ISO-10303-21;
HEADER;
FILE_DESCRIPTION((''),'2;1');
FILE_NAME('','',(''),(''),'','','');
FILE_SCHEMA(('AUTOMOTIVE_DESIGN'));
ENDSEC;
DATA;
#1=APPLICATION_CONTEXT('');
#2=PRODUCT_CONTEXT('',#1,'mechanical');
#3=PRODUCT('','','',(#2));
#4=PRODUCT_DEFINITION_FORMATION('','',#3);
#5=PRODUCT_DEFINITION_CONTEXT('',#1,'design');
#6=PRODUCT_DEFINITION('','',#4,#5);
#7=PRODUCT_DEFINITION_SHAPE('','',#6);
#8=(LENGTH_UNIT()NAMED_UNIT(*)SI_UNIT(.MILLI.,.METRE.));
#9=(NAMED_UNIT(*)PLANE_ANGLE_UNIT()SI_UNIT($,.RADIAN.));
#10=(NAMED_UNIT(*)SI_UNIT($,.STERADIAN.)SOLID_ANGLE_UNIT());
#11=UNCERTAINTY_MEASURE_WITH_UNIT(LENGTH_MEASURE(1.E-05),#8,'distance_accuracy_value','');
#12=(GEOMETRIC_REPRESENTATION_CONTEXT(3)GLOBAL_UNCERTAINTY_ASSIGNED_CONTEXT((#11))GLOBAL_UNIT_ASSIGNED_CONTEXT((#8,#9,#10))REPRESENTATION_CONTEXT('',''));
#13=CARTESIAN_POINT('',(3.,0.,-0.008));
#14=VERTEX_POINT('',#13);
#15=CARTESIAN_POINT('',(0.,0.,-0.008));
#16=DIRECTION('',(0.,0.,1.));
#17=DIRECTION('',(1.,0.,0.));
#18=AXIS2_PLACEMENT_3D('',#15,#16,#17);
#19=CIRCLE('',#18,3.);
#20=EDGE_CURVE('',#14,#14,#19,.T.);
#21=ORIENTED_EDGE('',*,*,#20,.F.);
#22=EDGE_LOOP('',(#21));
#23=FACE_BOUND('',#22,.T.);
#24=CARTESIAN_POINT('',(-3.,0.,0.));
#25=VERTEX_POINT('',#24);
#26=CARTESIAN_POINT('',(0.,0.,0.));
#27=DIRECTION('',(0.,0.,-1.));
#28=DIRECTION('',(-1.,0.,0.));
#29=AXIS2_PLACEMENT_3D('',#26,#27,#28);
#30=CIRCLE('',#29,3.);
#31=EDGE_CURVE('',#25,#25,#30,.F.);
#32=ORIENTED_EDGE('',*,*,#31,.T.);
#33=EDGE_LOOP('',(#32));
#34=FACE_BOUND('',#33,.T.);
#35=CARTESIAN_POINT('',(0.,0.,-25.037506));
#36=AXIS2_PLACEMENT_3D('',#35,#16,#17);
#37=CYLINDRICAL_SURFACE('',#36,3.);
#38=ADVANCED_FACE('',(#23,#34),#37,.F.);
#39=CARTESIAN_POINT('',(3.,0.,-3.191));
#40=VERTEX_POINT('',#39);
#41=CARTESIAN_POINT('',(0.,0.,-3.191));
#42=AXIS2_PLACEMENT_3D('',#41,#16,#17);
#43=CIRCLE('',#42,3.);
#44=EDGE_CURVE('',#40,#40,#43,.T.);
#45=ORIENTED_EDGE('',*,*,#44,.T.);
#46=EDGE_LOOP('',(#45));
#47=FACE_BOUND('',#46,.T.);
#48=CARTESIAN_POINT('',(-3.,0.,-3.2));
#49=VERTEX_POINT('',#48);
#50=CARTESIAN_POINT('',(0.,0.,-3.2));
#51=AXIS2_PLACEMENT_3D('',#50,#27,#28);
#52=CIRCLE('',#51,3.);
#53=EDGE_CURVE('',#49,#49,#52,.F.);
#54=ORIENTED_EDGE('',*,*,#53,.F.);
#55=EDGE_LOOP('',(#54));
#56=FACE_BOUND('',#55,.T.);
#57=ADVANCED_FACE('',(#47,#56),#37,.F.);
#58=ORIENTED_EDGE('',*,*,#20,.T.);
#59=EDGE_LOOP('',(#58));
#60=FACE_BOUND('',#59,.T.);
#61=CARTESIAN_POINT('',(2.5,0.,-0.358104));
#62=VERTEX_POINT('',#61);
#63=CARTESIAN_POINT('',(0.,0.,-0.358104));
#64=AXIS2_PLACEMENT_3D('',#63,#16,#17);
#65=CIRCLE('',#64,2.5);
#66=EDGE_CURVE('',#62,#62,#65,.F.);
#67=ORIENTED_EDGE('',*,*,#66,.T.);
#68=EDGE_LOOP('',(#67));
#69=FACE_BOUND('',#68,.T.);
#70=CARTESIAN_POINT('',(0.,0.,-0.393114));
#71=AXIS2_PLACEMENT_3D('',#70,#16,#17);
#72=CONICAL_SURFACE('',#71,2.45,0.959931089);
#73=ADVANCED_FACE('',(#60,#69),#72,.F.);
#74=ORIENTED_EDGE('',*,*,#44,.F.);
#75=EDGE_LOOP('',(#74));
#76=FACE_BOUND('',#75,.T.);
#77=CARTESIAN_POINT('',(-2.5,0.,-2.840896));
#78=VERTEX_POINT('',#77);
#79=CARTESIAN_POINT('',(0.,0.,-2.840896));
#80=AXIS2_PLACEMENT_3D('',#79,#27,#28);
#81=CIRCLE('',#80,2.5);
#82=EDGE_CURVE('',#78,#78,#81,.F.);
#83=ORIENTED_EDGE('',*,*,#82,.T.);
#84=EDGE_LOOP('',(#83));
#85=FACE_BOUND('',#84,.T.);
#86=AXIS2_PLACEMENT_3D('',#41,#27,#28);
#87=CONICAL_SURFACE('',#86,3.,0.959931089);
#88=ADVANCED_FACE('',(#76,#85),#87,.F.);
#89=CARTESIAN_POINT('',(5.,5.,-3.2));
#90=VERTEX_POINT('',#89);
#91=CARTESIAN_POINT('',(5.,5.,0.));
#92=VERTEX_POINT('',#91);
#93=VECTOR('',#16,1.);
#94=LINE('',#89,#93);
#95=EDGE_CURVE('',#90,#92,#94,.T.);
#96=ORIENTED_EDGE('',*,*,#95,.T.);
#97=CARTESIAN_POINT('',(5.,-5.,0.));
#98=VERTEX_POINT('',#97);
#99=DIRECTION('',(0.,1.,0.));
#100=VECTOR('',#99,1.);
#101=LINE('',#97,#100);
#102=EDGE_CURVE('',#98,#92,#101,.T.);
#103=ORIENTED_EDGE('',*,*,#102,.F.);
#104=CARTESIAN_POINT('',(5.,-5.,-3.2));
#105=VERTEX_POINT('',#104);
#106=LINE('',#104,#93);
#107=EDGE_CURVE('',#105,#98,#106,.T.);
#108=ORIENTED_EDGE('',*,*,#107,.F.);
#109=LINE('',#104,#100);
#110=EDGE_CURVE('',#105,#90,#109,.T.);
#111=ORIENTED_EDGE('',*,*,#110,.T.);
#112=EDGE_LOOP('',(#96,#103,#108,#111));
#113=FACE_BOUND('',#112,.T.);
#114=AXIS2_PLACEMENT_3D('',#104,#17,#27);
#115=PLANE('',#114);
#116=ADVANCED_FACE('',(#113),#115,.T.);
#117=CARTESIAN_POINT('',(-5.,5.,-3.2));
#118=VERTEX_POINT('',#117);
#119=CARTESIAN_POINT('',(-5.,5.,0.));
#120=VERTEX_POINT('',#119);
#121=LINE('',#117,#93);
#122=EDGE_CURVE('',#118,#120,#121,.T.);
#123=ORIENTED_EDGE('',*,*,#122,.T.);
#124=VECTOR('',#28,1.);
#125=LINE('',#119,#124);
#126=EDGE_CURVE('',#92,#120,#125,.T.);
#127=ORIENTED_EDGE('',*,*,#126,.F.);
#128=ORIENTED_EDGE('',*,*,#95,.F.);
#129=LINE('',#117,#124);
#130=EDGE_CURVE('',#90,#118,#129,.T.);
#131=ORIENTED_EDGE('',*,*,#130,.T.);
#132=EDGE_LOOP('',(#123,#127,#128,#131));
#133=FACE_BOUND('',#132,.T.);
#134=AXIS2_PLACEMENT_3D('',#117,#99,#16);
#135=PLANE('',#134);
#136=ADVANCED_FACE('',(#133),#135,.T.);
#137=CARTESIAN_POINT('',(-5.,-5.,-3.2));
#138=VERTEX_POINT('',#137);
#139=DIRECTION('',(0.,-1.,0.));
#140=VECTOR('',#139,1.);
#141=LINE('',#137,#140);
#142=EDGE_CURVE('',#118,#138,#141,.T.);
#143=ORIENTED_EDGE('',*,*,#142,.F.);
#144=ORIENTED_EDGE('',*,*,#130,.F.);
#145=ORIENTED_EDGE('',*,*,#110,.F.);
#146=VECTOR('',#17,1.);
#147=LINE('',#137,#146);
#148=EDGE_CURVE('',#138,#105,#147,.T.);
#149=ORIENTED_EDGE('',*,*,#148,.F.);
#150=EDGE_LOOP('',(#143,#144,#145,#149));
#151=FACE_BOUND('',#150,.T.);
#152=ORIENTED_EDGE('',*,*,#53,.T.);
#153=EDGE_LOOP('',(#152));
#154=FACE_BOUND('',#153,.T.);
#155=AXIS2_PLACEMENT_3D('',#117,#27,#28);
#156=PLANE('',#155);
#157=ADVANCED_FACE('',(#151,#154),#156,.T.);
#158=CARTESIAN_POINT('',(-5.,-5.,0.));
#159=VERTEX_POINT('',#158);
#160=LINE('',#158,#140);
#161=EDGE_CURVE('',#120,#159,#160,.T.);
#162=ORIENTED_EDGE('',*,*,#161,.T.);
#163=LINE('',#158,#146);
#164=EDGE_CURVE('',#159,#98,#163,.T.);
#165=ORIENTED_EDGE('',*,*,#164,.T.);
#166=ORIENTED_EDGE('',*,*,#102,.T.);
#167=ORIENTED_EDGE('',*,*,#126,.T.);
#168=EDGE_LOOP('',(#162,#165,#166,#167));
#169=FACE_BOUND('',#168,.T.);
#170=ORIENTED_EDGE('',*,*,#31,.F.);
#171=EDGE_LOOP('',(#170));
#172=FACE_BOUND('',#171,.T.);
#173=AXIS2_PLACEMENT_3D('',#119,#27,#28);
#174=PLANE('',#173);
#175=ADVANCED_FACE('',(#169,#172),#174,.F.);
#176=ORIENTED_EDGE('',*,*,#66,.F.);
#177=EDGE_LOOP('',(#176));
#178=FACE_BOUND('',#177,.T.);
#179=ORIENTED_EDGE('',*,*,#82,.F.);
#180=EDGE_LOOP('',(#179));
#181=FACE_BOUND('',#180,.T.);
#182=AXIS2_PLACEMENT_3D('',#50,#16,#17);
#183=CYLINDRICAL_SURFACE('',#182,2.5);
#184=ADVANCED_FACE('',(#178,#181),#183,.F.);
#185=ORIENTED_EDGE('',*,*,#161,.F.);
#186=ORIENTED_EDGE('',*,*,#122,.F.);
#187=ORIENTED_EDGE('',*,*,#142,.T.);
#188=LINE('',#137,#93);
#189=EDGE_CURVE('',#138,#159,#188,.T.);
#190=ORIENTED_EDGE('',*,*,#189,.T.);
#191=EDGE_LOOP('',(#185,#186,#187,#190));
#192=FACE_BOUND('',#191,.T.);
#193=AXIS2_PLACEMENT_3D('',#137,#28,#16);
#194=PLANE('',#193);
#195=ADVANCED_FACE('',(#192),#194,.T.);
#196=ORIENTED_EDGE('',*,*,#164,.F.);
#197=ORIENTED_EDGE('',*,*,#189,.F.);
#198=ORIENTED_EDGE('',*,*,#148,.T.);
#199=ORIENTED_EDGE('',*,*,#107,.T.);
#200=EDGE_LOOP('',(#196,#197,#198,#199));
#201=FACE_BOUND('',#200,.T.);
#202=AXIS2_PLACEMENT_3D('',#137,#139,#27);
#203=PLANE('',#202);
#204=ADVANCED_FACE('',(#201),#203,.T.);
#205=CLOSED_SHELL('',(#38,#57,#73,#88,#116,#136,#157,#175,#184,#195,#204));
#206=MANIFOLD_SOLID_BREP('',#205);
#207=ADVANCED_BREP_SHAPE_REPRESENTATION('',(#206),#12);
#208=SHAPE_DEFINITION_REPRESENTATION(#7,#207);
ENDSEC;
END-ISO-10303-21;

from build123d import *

# Parameters (mm, degrees)
BASENUT_START = -3.2
BASENUTSKE_W  = 10
BASENUTSKE_H  = 10
BASENUTSKE_R  = 2.5
BASENUT_DEPTH = 3.2


with BuildPart() as part:
    # BaseNutSke → BaseNut (new body)
    with BuildSketch(Plane.XY.offset(BASENUT_START)):
        Rectangle(BASENUTSKE_W, BASENUTSKE_H)
        Circle(BASENUTSKE_R, mode=Mode.SUBTRACT)
    extrude(amount=BASENUT_DEPTH)

    # EndChamferSketch → EndChamfer (revolve, cut)
    with BuildSketch(Plane(origin=(0, 0, 0), x_dir=(0, 0, -1), z_dir=(1, 0, 0))):
        Polygon((3.191, 3), (2.805885854, 2.45), (3.201, 2.45), (3.201, 3), align=None)
        Polygon((-0.002, 3), (0.008, 3), (0.393114146, 2.45), (-0.002, 2.45), align=None)
    revolve(axis=Axis((0, 0, -25.037505729), (0, 0, -1)), mode=Mode.SUBTRACT)


solid = part.part
